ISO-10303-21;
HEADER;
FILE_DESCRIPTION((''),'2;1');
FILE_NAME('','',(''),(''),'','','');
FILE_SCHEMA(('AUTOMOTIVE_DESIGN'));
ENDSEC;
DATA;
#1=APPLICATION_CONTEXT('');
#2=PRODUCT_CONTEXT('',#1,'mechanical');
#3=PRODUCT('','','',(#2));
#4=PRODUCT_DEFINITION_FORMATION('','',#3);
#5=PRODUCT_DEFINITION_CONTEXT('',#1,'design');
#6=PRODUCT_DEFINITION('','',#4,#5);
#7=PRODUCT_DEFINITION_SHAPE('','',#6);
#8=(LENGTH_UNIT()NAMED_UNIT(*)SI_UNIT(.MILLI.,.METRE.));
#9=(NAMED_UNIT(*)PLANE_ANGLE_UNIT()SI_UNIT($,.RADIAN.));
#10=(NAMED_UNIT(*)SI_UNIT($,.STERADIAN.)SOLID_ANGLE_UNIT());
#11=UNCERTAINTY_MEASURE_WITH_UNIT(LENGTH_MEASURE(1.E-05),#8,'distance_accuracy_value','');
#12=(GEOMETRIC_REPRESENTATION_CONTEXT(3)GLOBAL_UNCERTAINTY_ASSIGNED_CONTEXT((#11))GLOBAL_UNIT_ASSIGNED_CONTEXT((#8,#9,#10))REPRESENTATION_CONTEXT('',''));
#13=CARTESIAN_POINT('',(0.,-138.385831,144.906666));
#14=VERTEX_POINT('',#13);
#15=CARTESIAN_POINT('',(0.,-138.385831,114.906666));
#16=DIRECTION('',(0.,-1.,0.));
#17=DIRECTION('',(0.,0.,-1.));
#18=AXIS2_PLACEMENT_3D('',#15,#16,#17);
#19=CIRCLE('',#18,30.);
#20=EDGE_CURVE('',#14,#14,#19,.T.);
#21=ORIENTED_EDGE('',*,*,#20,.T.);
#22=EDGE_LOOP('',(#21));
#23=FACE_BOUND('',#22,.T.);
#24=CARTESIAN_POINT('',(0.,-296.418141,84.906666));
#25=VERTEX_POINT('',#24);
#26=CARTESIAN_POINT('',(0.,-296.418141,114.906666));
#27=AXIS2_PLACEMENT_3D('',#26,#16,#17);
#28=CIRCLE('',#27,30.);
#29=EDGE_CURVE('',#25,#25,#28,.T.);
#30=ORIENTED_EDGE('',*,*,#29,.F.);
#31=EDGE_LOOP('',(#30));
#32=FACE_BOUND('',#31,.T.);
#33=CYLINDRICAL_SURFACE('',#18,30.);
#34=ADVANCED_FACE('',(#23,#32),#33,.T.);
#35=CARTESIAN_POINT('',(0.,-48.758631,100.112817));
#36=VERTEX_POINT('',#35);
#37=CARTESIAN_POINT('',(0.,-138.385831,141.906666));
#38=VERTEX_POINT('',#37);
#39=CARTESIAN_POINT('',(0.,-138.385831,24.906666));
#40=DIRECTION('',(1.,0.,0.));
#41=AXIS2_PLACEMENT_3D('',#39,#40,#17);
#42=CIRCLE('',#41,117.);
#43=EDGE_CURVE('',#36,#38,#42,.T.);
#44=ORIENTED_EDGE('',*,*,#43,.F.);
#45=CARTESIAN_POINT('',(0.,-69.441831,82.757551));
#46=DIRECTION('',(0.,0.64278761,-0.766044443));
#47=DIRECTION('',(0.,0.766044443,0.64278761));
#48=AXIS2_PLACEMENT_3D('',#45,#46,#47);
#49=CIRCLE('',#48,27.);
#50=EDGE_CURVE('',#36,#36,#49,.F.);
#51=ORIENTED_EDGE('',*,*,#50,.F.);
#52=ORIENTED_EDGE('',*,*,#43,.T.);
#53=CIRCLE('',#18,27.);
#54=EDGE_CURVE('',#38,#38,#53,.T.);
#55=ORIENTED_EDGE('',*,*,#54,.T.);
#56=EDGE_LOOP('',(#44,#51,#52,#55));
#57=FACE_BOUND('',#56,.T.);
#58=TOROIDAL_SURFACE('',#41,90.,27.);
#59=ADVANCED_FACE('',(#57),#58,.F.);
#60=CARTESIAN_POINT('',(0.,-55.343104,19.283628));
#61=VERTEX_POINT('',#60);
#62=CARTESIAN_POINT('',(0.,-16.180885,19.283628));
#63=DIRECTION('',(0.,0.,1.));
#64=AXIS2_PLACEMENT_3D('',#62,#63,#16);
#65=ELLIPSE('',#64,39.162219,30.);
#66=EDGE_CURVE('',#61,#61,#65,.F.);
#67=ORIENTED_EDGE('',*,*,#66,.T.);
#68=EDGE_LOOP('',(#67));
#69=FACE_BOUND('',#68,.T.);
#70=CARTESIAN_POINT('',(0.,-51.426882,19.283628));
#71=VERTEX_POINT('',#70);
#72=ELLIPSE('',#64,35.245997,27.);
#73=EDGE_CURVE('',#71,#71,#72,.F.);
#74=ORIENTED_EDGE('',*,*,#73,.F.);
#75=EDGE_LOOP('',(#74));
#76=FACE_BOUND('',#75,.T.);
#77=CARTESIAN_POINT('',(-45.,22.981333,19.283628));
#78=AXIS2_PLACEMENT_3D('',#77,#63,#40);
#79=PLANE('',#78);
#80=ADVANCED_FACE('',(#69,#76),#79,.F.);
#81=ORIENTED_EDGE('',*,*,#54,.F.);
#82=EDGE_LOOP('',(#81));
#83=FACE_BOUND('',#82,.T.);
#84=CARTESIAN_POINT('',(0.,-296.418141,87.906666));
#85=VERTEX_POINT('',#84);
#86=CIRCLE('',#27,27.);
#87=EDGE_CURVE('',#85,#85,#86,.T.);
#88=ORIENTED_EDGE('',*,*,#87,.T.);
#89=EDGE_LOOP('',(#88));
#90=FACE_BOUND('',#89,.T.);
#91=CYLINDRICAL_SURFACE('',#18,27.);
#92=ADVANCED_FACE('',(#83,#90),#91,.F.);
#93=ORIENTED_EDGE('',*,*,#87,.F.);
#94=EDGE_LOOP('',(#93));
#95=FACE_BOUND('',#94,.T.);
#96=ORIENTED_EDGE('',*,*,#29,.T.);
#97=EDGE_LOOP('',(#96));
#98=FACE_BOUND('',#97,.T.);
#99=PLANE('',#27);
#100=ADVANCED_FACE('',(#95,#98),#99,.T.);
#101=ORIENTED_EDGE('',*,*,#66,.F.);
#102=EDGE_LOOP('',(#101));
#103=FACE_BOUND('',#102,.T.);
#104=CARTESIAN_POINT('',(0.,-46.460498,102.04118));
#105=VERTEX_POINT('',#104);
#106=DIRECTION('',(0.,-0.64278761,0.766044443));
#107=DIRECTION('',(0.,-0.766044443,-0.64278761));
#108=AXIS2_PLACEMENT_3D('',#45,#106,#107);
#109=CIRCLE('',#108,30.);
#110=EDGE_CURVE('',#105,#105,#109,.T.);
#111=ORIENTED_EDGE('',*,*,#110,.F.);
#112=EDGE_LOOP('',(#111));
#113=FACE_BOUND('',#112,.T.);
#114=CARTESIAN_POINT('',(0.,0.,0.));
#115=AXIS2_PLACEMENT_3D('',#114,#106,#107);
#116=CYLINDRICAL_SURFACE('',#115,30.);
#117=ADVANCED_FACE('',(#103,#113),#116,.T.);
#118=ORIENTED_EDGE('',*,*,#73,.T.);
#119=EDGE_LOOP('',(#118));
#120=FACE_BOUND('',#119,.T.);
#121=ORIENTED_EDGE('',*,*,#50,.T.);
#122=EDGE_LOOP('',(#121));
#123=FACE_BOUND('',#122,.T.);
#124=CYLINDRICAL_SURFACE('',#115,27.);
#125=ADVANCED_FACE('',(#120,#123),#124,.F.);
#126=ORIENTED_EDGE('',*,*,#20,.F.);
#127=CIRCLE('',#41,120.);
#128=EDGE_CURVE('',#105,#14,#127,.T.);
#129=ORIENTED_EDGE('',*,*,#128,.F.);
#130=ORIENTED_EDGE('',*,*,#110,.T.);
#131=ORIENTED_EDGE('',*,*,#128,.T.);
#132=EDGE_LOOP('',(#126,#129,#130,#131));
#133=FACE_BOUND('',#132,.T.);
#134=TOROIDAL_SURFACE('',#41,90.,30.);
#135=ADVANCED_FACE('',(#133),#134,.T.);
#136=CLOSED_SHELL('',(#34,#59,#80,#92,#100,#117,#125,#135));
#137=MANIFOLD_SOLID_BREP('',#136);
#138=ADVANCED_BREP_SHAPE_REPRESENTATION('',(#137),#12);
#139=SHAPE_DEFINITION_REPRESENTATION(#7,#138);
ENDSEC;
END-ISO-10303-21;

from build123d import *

# Parameters (mm, degrees)
SKETCH2_R          = 30
SKETCH2_R_2        = 27
SKETCH3_W          = 78.445279823
SKETCH3_H          = 88.088780511
CUT_EXTRUDE2_DEPTH = 45


with BuildPart() as part:
    # Sweep-Thin1: sweep along a path in Sketch1
    with BuildLine(Plane(origin=(0, 0, 0), x_dir=(0, 0, -1), z_dir=(1, 0, 0))) as sweep_thin1_path:
        Line((0, 0), (-82.75755134, -69.441830806))
        ThreePointArc((-82.75755134, -69.441830806), (-106.474367301, -100.35018713), (-114.906666468, -138.385830687))
        Line((-114.906666468, -138.385830687), (-114.906666468, -296.418141453))
    # Sketch2 → Sweep-Thin1 (sweep)
    with BuildSketch(Plane(origin=(0, 0, 0), x_dir=(1, 0, 0), z_dir=(0, -0.64278761, 0.766044443))):
        Circle(SKETCH2_R)
        Circle(SKETCH2_R_2, mode=Mode.SUBTRACT)
    sweep(path=sweep_thin1_path.line)

    # Sketch3 → Cut-Extrude2 (cut, symmetric)
    with BuildSketch(Plane(origin=(0, 0, 0), x_dir=(0, 0, -1), z_dir=(1, 0, 0))):
        with Locations((19.93901162, -21.063056961)):
            Rectangle(SKETCH3_W, SKETCH3_H)
    extrude(amount=CUT_EXTRUDE2_DEPTH, both=True, mode=Mode.SUBTRACT)


solid = part.part
